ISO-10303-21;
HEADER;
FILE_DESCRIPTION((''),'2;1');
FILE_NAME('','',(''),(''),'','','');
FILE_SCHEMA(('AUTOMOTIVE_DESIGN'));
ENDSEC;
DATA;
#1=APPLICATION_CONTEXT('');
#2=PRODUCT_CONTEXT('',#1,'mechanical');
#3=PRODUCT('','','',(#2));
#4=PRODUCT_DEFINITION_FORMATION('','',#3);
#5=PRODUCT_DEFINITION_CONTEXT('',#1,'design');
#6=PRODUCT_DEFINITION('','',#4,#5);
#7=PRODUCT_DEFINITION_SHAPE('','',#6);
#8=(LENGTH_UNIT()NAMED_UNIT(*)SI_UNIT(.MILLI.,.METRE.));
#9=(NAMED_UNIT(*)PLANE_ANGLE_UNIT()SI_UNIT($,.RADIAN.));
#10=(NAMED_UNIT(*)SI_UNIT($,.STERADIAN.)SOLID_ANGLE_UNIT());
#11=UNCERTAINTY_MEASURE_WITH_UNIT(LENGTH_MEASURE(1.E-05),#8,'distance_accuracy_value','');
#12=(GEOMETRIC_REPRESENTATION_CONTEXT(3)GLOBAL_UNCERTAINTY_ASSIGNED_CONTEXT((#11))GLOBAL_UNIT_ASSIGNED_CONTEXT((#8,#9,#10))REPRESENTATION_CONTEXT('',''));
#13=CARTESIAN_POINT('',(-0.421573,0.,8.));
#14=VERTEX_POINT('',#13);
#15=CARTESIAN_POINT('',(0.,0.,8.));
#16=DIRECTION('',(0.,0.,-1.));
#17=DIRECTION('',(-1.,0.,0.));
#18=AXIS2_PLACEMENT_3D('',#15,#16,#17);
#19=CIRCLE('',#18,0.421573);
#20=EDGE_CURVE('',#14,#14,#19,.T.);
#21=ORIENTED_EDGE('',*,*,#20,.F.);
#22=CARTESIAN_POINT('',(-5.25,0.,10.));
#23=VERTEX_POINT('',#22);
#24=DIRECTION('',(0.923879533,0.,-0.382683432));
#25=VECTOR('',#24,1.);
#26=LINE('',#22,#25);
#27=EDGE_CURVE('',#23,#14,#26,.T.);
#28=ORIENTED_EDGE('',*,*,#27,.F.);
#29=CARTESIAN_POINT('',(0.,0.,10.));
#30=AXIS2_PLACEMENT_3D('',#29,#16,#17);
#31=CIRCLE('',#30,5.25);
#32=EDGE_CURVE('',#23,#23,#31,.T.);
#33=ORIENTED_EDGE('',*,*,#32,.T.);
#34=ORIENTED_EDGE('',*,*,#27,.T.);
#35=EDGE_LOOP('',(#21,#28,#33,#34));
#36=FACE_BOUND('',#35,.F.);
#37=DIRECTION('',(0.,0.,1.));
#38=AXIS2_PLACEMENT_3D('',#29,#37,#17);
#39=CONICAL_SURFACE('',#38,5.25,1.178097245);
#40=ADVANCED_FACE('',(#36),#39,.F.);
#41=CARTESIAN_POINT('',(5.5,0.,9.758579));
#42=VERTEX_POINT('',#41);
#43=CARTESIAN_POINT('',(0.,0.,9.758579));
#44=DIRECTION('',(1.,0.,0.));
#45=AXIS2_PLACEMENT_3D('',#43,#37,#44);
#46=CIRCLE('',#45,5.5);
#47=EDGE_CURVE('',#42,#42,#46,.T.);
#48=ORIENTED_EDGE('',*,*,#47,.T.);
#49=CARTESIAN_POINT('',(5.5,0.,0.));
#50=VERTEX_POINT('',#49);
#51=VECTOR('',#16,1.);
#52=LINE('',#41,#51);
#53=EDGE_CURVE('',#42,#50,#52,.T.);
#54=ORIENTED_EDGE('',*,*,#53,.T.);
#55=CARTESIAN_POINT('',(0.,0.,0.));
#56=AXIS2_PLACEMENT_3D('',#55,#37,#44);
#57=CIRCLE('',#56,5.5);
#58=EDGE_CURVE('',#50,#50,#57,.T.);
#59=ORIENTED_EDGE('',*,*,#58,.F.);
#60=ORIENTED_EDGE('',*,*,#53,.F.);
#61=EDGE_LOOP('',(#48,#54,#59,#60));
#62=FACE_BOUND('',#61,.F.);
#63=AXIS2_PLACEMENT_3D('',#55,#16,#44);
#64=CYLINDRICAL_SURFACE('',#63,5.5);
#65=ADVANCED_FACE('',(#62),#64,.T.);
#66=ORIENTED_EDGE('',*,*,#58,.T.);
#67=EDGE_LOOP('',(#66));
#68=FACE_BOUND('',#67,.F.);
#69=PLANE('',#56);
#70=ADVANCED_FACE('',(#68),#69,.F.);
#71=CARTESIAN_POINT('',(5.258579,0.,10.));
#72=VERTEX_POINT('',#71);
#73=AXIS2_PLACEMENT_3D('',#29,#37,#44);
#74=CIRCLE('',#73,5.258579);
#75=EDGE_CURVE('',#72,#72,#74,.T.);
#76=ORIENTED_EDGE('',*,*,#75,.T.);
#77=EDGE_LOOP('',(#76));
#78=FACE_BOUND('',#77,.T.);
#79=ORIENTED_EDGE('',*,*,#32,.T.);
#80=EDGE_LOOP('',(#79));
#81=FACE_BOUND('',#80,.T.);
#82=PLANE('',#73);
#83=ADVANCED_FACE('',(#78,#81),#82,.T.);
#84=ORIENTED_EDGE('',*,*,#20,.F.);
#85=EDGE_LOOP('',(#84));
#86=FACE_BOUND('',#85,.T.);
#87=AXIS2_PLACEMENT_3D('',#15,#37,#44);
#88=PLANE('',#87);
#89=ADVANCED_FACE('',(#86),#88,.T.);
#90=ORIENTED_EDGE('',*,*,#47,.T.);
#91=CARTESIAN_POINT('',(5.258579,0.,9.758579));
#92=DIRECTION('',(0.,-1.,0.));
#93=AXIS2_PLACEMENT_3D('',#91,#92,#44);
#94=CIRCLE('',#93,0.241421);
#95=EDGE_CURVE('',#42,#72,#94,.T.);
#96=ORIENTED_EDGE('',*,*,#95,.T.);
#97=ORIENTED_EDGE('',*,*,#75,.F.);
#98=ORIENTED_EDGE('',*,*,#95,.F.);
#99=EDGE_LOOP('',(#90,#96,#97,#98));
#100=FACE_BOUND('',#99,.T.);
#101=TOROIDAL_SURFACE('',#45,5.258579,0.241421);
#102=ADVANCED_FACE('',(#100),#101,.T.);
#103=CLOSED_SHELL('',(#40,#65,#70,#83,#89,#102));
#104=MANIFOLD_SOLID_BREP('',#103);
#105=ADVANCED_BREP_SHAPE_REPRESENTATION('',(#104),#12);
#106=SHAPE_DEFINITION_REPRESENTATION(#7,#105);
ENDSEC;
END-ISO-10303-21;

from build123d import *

# Parameters (mm, degrees)
F0_R           = 5.5
F1_DEPTH       = 10
F2_R           = 0.241421
F4_D           = 0.1
F4_CSINK_D     = 10.5
F4_CSINK_ANGLE = 135
F5_DEPTH       = 8


with BuildPart() as f1:
    # F0 (on Top) → F1 (new body)
    with BuildSketch(Plane.XY):
        Circle(F0_R)
    extrude(amount=F1_DEPTH)

    # F2
    f2_edges = [f1.edges().sort_by_distance(p)[0] for p in [
        (-5.5, 0, 10),
    ]]
    fillet(f2_edges, radius=F2_R)

    # F4 (through all)
    with Locations(Plane.XY.offset(10)):
        with Locations((0, 0)):
            CounterSinkHole(F4_D / 2, F4_CSINK_D / 2, counter_sink_angle=F4_CSINK_ANGLE)

    # F0 (on Top) → F5 (join)
    with BuildSketch(Plane.XY):
        Circle(F0_R)
    extrude(amount=F5_DEPTH)


solid = f1.part
